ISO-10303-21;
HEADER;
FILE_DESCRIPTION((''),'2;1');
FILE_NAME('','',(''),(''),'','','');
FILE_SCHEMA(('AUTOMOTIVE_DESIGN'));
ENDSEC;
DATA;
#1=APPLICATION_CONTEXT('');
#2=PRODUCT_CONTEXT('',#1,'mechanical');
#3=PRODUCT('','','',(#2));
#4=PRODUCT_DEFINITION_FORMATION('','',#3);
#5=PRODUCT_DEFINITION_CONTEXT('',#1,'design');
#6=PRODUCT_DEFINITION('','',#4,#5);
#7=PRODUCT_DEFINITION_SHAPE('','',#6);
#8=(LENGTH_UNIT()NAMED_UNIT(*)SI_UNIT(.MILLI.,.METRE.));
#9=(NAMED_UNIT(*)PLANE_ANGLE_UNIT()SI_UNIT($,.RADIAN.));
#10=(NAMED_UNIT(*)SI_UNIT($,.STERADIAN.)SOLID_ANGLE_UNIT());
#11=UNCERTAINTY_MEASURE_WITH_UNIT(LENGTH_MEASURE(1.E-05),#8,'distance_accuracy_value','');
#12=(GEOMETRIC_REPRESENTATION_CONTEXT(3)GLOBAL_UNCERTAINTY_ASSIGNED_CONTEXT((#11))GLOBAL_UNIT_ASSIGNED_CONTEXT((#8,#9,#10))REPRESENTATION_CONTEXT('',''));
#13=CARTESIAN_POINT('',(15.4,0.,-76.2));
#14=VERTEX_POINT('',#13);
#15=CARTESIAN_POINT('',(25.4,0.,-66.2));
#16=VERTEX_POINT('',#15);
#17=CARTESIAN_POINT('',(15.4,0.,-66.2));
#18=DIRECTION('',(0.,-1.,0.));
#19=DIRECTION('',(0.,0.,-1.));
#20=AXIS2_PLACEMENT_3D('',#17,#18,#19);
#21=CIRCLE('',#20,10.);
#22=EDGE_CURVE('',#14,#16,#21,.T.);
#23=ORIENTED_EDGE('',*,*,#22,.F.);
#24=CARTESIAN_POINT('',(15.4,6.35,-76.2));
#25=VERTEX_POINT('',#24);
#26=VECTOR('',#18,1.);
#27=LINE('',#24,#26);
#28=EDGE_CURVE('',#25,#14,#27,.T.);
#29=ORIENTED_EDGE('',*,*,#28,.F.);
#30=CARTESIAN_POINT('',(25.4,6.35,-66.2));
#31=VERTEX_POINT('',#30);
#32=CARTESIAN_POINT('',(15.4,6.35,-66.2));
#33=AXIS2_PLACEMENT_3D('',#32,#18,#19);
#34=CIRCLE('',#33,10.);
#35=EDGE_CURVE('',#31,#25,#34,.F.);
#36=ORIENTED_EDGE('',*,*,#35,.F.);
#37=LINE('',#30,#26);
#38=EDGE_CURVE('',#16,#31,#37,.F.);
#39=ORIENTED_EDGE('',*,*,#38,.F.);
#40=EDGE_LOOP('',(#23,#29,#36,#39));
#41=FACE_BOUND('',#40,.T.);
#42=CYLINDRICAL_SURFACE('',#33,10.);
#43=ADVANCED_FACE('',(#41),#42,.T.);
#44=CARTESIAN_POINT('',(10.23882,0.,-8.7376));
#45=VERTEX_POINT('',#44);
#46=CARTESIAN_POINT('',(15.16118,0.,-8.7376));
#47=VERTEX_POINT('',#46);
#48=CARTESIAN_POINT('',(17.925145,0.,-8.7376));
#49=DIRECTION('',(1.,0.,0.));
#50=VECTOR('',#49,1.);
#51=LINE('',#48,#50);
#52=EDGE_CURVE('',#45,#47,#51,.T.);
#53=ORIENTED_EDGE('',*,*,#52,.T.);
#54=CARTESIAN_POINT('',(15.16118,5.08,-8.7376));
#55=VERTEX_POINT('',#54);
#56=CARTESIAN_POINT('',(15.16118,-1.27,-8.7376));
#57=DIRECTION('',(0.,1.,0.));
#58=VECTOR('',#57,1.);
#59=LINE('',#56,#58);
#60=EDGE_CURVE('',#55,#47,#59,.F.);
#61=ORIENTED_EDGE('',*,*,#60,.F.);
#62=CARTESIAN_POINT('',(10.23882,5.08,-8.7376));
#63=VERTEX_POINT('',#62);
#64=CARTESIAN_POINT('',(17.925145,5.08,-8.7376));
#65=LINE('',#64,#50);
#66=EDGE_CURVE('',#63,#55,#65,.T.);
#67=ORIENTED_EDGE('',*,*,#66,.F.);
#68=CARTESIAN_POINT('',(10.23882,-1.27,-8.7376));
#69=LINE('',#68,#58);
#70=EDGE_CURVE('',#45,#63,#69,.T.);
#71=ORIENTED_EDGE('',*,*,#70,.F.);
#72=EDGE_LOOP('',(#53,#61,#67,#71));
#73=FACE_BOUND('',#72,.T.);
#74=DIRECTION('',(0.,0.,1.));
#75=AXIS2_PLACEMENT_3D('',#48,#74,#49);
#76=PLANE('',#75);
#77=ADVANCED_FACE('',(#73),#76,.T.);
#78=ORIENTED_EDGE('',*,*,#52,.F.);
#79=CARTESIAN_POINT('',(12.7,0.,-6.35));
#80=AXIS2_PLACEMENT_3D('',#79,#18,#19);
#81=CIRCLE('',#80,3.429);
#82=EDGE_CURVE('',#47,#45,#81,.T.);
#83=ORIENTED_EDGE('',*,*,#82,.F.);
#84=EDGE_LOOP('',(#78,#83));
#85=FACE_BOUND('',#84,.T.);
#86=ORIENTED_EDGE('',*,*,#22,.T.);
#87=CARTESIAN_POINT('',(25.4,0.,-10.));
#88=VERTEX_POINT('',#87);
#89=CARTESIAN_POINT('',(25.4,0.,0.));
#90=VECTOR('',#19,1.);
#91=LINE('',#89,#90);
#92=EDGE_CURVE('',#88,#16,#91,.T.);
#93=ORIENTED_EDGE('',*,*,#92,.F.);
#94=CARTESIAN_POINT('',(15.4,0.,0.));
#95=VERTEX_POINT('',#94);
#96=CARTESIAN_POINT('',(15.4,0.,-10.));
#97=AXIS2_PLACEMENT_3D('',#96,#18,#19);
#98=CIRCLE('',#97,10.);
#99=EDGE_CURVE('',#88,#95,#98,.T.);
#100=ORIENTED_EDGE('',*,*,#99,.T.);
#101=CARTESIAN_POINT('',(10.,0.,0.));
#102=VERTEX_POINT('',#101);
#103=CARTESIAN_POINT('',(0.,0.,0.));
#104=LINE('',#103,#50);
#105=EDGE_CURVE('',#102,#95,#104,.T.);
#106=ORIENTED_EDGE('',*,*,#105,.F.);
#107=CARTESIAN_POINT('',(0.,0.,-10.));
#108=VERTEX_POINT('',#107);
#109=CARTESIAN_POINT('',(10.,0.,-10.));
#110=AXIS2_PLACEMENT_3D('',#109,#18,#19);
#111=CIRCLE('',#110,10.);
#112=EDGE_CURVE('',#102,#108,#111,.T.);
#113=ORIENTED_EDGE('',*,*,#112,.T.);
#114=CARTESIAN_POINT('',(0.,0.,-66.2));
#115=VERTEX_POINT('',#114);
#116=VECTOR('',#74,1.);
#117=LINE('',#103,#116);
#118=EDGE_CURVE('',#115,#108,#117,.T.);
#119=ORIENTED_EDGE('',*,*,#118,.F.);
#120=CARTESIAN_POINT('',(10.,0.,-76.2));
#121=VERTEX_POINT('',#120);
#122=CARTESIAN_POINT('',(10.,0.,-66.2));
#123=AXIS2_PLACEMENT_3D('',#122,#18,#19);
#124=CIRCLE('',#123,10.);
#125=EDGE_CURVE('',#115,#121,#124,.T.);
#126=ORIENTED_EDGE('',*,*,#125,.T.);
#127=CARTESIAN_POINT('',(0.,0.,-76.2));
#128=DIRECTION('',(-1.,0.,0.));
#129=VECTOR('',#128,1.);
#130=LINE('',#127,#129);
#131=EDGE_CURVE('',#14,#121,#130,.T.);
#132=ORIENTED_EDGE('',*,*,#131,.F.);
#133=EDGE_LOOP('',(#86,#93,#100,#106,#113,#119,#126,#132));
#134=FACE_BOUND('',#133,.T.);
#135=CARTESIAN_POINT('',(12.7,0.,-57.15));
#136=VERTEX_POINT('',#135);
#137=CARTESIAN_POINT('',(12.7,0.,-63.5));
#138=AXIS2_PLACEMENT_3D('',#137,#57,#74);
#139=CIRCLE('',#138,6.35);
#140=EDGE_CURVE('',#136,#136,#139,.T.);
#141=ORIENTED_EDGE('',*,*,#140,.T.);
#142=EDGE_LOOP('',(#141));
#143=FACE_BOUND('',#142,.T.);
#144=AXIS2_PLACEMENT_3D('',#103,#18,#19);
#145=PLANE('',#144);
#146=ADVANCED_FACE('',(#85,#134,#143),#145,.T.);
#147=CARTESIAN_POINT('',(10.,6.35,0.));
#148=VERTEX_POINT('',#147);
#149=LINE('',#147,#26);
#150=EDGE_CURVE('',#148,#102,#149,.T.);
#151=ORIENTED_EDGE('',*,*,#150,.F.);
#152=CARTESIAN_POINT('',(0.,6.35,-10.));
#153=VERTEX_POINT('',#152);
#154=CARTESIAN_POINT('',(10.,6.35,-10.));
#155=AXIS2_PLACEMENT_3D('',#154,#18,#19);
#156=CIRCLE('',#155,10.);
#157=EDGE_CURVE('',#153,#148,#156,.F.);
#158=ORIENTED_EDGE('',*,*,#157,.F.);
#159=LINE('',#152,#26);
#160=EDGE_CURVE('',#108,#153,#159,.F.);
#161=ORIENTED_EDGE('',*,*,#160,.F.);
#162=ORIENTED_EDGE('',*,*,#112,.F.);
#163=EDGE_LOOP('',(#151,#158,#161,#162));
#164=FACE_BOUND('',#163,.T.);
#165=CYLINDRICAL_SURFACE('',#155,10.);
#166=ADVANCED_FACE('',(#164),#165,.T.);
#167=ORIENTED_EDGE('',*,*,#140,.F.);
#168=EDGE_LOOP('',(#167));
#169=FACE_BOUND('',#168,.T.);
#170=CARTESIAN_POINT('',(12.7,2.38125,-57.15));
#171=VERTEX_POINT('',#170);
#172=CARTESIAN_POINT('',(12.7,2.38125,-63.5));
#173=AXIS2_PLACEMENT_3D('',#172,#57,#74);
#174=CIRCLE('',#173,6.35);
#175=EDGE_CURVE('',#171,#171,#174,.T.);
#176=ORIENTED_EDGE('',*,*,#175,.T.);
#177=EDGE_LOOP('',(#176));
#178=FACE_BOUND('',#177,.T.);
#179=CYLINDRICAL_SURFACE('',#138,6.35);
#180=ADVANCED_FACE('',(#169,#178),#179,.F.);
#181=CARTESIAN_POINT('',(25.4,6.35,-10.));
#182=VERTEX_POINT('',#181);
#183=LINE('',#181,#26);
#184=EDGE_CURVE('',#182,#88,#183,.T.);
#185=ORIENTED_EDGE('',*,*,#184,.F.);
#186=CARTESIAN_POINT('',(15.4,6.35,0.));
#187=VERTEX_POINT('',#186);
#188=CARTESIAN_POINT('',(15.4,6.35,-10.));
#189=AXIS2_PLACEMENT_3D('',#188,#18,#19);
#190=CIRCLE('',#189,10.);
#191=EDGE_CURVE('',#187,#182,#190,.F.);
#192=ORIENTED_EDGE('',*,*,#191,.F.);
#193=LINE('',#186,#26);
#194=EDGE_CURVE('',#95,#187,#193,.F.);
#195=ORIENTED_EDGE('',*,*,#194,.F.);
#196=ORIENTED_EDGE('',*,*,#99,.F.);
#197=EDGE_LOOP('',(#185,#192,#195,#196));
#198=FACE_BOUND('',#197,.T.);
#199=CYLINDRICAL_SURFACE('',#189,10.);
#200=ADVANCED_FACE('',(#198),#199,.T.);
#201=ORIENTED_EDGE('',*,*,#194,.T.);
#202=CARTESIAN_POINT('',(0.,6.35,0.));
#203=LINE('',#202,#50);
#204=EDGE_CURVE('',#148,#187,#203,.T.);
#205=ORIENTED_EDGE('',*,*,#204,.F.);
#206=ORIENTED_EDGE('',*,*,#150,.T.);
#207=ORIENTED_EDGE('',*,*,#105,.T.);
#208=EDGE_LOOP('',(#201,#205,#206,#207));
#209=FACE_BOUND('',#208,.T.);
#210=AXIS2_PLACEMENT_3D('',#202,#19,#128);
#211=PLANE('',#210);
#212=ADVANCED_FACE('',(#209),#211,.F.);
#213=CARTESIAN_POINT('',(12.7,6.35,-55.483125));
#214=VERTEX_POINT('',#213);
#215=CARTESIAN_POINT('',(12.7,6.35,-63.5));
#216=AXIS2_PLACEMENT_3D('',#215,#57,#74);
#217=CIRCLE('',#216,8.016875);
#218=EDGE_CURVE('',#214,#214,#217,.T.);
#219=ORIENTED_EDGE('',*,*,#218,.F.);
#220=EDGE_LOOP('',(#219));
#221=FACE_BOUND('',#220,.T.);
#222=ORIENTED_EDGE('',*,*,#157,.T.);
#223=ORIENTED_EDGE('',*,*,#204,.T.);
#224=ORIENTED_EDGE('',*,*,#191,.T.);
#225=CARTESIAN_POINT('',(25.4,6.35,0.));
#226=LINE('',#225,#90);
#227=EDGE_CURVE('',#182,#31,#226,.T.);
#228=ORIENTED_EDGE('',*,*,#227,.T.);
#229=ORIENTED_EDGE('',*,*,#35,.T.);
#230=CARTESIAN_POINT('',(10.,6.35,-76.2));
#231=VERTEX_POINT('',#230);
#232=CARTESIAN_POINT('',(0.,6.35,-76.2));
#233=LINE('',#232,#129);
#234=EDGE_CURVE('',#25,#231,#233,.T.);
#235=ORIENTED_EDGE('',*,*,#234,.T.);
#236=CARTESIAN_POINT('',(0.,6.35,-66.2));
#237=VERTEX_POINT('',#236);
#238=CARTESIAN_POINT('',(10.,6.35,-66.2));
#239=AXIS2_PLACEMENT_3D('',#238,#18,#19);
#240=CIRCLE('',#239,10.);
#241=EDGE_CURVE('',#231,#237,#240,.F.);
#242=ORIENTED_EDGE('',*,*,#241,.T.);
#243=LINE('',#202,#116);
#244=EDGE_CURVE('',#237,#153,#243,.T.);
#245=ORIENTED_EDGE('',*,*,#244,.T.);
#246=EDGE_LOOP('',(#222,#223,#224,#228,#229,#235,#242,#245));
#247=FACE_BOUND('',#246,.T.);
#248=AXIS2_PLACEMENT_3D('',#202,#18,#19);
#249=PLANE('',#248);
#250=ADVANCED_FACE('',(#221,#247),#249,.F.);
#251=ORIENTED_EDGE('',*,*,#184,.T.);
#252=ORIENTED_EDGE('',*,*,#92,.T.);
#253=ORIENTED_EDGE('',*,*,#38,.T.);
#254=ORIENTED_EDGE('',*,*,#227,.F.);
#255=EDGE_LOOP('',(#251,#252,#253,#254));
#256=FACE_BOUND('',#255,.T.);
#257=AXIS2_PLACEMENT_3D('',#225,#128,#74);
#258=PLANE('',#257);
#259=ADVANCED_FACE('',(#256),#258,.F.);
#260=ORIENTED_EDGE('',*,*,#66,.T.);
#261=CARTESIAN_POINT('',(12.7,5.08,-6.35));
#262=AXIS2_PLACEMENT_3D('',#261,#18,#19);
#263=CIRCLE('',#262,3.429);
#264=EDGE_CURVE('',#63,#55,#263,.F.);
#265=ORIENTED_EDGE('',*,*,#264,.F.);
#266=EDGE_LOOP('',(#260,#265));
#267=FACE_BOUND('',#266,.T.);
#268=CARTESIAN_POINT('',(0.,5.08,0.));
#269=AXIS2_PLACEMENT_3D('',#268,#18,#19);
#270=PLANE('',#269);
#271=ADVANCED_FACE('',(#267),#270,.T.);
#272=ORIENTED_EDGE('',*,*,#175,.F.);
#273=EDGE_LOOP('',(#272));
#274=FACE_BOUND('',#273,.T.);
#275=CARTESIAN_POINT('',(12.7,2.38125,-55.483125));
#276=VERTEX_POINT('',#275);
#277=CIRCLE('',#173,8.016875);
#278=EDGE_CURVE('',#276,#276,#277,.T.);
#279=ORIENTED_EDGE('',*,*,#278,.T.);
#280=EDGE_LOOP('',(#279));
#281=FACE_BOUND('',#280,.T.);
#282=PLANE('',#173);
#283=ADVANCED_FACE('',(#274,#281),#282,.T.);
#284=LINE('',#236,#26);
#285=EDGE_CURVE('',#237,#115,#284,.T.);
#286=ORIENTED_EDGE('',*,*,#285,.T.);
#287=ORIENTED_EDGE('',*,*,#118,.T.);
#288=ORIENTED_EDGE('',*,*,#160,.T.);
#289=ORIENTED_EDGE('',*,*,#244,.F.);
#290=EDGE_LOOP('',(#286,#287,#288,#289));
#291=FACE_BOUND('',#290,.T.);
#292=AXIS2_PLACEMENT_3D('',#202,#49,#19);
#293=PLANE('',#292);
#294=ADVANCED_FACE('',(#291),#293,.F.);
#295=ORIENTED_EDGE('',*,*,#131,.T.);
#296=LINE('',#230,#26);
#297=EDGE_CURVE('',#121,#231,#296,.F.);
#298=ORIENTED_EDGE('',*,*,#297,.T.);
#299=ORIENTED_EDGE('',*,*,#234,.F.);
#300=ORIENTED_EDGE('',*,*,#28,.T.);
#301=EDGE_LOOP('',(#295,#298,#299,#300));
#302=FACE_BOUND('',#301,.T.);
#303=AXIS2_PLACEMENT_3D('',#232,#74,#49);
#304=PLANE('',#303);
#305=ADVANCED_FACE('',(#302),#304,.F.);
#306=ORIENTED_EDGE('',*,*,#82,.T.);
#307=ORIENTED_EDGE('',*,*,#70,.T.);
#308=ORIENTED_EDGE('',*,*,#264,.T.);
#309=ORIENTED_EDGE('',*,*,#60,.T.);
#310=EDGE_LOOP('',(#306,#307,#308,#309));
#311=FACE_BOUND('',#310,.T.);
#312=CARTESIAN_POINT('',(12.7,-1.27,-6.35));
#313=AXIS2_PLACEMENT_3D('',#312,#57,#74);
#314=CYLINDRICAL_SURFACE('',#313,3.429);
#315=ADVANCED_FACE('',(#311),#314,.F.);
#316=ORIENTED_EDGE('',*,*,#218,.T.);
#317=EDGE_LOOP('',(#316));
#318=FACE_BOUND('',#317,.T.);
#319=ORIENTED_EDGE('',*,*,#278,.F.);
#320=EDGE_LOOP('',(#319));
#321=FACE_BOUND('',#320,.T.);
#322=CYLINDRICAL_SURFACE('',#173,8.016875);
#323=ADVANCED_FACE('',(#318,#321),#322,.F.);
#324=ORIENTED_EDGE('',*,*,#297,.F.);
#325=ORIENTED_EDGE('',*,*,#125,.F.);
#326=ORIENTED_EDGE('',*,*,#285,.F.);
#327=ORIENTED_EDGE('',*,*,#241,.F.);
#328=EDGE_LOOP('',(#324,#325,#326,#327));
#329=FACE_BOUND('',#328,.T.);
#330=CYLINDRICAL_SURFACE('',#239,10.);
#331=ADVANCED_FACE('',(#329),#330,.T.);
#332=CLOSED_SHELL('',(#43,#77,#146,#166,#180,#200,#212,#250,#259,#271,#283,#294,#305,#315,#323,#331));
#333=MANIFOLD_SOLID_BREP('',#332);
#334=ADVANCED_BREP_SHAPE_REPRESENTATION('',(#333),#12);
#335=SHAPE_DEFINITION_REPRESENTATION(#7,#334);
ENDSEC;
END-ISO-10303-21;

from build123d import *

# Parameters (mm, degrees)
SKETCH1_W           = 25.4
SKETCH1_H           = 76.2
BOSS_EXTRUDE1_DEPTH = 6.35
SKETCH5_R           = 8.016875
CUT_EXTRUDE1_DEPTH  = 3.96875
SKETCH6_R           = 6.35
CUT_EXTRUDE2_DEPTH  = 81.419841933
SKETCH7_R           = 3.429
CUT_EXTRUDE3_DEPTH  = 7.62
SKETCH9_W           = 11.198432991
SKETCH9_H           = 1.819618823
BOSS_EXTRUDE2_DEPTH = 6.35
BOSS_EXTRUDE4_START = -6.35
SKETCH11_W          = 13.636513595
SKETCH11_H          = 8.31497605
BOSS_EXTRUDE4_DEPTH = 1.27
FILLET1_R           = 10


with BuildPart() as part:
    # Sketch1 → Boss-Extrude1 (new body)
    with BuildSketch(Plane(origin=(0, 0, 0), x_dir=(1, 0, 0), z_dir=(0, 1, 0))):
        with Locations((12.7, 38.1)):
            Rectangle(SKETCH1_W, SKETCH1_H)
    extrude(amount=BOSS_EXTRUDE1_DEPTH)

    # Sketch5 → Cut-Extrude1 (cut)
    with BuildSketch(Plane(origin=(0, 6.35, 0), x_dir=(1, 0, 0), z_dir=(0, 1, 0))):
        with Locations(Location((12.7, 63.5, 0), (0, 0, 270))):
            Circle(SKETCH5_R)
    extrude(amount=-CUT_EXTRUDE1_DEPTH, mode=Mode.SUBTRACT)

    # Sketch6 → Cut-Extrude2 (cut, through all)
    with BuildSketch(Plane(origin=(0, 2.38125, 0), x_dir=(1, 0, 0), z_dir=(0, 1, 0))):
        with Locations(Location((12.7, 63.5, 0), (0, 0, 270))):
            Circle(SKETCH6_R)
    extrude(amount=-CUT_EXTRUDE2_DEPTH, mode=Mode.SUBTRACT)

    # Sketch7 → Cut-Extrude3 (cut)
    with BuildSketch(Plane(origin=(0, 6.35, 0), x_dir=(1, 0, 0), z_dir=(0, 1, 0))):
        with Locations(Location((12.7, 6.35, 0), (0, 0, 270))):
            Circle(SKETCH7_R)
    extrude(amount=-CUT_EXTRUDE3_DEPTH, mode=Mode.SUBTRACT)

    # Sketch9 → Boss-Extrude2 (add, through all)
    with BuildSketch(Plane(origin=(0, 6.35, 0), x_dir=(1, 0, 0), z_dir=(0, 1, 0))):
        with Locations((12.325928429, 9.647409411)):
            Rectangle(SKETCH9_W, SKETCH9_H)
    extrude(amount=-BOSS_EXTRUDE2_DEPTH)

    # Sketch11 → Boss-Extrude4 (add)
    with BuildSketch(Plane.XZ.offset(BOSS_EXTRUDE4_START)):
        with Locations((12.44089651, -6.12924614)):
            Rectangle(SKETCH11_W, SKETCH11_H)
    extrude(amount=BOSS_EXTRUDE4_DEPTH)

    # Fillet1
    fillet1_edges = [part.edges().sort_by_distance(p)[0] for p in [
        (0, 3.175, -76.2),
        (25.4, 3.175, -76.2),
        (25.4, 3.175, 0),
        (0, 3.175, 0),
    ]]
    fillet(fillet1_edges, radius=FILLET1_R)


solid = part.part
